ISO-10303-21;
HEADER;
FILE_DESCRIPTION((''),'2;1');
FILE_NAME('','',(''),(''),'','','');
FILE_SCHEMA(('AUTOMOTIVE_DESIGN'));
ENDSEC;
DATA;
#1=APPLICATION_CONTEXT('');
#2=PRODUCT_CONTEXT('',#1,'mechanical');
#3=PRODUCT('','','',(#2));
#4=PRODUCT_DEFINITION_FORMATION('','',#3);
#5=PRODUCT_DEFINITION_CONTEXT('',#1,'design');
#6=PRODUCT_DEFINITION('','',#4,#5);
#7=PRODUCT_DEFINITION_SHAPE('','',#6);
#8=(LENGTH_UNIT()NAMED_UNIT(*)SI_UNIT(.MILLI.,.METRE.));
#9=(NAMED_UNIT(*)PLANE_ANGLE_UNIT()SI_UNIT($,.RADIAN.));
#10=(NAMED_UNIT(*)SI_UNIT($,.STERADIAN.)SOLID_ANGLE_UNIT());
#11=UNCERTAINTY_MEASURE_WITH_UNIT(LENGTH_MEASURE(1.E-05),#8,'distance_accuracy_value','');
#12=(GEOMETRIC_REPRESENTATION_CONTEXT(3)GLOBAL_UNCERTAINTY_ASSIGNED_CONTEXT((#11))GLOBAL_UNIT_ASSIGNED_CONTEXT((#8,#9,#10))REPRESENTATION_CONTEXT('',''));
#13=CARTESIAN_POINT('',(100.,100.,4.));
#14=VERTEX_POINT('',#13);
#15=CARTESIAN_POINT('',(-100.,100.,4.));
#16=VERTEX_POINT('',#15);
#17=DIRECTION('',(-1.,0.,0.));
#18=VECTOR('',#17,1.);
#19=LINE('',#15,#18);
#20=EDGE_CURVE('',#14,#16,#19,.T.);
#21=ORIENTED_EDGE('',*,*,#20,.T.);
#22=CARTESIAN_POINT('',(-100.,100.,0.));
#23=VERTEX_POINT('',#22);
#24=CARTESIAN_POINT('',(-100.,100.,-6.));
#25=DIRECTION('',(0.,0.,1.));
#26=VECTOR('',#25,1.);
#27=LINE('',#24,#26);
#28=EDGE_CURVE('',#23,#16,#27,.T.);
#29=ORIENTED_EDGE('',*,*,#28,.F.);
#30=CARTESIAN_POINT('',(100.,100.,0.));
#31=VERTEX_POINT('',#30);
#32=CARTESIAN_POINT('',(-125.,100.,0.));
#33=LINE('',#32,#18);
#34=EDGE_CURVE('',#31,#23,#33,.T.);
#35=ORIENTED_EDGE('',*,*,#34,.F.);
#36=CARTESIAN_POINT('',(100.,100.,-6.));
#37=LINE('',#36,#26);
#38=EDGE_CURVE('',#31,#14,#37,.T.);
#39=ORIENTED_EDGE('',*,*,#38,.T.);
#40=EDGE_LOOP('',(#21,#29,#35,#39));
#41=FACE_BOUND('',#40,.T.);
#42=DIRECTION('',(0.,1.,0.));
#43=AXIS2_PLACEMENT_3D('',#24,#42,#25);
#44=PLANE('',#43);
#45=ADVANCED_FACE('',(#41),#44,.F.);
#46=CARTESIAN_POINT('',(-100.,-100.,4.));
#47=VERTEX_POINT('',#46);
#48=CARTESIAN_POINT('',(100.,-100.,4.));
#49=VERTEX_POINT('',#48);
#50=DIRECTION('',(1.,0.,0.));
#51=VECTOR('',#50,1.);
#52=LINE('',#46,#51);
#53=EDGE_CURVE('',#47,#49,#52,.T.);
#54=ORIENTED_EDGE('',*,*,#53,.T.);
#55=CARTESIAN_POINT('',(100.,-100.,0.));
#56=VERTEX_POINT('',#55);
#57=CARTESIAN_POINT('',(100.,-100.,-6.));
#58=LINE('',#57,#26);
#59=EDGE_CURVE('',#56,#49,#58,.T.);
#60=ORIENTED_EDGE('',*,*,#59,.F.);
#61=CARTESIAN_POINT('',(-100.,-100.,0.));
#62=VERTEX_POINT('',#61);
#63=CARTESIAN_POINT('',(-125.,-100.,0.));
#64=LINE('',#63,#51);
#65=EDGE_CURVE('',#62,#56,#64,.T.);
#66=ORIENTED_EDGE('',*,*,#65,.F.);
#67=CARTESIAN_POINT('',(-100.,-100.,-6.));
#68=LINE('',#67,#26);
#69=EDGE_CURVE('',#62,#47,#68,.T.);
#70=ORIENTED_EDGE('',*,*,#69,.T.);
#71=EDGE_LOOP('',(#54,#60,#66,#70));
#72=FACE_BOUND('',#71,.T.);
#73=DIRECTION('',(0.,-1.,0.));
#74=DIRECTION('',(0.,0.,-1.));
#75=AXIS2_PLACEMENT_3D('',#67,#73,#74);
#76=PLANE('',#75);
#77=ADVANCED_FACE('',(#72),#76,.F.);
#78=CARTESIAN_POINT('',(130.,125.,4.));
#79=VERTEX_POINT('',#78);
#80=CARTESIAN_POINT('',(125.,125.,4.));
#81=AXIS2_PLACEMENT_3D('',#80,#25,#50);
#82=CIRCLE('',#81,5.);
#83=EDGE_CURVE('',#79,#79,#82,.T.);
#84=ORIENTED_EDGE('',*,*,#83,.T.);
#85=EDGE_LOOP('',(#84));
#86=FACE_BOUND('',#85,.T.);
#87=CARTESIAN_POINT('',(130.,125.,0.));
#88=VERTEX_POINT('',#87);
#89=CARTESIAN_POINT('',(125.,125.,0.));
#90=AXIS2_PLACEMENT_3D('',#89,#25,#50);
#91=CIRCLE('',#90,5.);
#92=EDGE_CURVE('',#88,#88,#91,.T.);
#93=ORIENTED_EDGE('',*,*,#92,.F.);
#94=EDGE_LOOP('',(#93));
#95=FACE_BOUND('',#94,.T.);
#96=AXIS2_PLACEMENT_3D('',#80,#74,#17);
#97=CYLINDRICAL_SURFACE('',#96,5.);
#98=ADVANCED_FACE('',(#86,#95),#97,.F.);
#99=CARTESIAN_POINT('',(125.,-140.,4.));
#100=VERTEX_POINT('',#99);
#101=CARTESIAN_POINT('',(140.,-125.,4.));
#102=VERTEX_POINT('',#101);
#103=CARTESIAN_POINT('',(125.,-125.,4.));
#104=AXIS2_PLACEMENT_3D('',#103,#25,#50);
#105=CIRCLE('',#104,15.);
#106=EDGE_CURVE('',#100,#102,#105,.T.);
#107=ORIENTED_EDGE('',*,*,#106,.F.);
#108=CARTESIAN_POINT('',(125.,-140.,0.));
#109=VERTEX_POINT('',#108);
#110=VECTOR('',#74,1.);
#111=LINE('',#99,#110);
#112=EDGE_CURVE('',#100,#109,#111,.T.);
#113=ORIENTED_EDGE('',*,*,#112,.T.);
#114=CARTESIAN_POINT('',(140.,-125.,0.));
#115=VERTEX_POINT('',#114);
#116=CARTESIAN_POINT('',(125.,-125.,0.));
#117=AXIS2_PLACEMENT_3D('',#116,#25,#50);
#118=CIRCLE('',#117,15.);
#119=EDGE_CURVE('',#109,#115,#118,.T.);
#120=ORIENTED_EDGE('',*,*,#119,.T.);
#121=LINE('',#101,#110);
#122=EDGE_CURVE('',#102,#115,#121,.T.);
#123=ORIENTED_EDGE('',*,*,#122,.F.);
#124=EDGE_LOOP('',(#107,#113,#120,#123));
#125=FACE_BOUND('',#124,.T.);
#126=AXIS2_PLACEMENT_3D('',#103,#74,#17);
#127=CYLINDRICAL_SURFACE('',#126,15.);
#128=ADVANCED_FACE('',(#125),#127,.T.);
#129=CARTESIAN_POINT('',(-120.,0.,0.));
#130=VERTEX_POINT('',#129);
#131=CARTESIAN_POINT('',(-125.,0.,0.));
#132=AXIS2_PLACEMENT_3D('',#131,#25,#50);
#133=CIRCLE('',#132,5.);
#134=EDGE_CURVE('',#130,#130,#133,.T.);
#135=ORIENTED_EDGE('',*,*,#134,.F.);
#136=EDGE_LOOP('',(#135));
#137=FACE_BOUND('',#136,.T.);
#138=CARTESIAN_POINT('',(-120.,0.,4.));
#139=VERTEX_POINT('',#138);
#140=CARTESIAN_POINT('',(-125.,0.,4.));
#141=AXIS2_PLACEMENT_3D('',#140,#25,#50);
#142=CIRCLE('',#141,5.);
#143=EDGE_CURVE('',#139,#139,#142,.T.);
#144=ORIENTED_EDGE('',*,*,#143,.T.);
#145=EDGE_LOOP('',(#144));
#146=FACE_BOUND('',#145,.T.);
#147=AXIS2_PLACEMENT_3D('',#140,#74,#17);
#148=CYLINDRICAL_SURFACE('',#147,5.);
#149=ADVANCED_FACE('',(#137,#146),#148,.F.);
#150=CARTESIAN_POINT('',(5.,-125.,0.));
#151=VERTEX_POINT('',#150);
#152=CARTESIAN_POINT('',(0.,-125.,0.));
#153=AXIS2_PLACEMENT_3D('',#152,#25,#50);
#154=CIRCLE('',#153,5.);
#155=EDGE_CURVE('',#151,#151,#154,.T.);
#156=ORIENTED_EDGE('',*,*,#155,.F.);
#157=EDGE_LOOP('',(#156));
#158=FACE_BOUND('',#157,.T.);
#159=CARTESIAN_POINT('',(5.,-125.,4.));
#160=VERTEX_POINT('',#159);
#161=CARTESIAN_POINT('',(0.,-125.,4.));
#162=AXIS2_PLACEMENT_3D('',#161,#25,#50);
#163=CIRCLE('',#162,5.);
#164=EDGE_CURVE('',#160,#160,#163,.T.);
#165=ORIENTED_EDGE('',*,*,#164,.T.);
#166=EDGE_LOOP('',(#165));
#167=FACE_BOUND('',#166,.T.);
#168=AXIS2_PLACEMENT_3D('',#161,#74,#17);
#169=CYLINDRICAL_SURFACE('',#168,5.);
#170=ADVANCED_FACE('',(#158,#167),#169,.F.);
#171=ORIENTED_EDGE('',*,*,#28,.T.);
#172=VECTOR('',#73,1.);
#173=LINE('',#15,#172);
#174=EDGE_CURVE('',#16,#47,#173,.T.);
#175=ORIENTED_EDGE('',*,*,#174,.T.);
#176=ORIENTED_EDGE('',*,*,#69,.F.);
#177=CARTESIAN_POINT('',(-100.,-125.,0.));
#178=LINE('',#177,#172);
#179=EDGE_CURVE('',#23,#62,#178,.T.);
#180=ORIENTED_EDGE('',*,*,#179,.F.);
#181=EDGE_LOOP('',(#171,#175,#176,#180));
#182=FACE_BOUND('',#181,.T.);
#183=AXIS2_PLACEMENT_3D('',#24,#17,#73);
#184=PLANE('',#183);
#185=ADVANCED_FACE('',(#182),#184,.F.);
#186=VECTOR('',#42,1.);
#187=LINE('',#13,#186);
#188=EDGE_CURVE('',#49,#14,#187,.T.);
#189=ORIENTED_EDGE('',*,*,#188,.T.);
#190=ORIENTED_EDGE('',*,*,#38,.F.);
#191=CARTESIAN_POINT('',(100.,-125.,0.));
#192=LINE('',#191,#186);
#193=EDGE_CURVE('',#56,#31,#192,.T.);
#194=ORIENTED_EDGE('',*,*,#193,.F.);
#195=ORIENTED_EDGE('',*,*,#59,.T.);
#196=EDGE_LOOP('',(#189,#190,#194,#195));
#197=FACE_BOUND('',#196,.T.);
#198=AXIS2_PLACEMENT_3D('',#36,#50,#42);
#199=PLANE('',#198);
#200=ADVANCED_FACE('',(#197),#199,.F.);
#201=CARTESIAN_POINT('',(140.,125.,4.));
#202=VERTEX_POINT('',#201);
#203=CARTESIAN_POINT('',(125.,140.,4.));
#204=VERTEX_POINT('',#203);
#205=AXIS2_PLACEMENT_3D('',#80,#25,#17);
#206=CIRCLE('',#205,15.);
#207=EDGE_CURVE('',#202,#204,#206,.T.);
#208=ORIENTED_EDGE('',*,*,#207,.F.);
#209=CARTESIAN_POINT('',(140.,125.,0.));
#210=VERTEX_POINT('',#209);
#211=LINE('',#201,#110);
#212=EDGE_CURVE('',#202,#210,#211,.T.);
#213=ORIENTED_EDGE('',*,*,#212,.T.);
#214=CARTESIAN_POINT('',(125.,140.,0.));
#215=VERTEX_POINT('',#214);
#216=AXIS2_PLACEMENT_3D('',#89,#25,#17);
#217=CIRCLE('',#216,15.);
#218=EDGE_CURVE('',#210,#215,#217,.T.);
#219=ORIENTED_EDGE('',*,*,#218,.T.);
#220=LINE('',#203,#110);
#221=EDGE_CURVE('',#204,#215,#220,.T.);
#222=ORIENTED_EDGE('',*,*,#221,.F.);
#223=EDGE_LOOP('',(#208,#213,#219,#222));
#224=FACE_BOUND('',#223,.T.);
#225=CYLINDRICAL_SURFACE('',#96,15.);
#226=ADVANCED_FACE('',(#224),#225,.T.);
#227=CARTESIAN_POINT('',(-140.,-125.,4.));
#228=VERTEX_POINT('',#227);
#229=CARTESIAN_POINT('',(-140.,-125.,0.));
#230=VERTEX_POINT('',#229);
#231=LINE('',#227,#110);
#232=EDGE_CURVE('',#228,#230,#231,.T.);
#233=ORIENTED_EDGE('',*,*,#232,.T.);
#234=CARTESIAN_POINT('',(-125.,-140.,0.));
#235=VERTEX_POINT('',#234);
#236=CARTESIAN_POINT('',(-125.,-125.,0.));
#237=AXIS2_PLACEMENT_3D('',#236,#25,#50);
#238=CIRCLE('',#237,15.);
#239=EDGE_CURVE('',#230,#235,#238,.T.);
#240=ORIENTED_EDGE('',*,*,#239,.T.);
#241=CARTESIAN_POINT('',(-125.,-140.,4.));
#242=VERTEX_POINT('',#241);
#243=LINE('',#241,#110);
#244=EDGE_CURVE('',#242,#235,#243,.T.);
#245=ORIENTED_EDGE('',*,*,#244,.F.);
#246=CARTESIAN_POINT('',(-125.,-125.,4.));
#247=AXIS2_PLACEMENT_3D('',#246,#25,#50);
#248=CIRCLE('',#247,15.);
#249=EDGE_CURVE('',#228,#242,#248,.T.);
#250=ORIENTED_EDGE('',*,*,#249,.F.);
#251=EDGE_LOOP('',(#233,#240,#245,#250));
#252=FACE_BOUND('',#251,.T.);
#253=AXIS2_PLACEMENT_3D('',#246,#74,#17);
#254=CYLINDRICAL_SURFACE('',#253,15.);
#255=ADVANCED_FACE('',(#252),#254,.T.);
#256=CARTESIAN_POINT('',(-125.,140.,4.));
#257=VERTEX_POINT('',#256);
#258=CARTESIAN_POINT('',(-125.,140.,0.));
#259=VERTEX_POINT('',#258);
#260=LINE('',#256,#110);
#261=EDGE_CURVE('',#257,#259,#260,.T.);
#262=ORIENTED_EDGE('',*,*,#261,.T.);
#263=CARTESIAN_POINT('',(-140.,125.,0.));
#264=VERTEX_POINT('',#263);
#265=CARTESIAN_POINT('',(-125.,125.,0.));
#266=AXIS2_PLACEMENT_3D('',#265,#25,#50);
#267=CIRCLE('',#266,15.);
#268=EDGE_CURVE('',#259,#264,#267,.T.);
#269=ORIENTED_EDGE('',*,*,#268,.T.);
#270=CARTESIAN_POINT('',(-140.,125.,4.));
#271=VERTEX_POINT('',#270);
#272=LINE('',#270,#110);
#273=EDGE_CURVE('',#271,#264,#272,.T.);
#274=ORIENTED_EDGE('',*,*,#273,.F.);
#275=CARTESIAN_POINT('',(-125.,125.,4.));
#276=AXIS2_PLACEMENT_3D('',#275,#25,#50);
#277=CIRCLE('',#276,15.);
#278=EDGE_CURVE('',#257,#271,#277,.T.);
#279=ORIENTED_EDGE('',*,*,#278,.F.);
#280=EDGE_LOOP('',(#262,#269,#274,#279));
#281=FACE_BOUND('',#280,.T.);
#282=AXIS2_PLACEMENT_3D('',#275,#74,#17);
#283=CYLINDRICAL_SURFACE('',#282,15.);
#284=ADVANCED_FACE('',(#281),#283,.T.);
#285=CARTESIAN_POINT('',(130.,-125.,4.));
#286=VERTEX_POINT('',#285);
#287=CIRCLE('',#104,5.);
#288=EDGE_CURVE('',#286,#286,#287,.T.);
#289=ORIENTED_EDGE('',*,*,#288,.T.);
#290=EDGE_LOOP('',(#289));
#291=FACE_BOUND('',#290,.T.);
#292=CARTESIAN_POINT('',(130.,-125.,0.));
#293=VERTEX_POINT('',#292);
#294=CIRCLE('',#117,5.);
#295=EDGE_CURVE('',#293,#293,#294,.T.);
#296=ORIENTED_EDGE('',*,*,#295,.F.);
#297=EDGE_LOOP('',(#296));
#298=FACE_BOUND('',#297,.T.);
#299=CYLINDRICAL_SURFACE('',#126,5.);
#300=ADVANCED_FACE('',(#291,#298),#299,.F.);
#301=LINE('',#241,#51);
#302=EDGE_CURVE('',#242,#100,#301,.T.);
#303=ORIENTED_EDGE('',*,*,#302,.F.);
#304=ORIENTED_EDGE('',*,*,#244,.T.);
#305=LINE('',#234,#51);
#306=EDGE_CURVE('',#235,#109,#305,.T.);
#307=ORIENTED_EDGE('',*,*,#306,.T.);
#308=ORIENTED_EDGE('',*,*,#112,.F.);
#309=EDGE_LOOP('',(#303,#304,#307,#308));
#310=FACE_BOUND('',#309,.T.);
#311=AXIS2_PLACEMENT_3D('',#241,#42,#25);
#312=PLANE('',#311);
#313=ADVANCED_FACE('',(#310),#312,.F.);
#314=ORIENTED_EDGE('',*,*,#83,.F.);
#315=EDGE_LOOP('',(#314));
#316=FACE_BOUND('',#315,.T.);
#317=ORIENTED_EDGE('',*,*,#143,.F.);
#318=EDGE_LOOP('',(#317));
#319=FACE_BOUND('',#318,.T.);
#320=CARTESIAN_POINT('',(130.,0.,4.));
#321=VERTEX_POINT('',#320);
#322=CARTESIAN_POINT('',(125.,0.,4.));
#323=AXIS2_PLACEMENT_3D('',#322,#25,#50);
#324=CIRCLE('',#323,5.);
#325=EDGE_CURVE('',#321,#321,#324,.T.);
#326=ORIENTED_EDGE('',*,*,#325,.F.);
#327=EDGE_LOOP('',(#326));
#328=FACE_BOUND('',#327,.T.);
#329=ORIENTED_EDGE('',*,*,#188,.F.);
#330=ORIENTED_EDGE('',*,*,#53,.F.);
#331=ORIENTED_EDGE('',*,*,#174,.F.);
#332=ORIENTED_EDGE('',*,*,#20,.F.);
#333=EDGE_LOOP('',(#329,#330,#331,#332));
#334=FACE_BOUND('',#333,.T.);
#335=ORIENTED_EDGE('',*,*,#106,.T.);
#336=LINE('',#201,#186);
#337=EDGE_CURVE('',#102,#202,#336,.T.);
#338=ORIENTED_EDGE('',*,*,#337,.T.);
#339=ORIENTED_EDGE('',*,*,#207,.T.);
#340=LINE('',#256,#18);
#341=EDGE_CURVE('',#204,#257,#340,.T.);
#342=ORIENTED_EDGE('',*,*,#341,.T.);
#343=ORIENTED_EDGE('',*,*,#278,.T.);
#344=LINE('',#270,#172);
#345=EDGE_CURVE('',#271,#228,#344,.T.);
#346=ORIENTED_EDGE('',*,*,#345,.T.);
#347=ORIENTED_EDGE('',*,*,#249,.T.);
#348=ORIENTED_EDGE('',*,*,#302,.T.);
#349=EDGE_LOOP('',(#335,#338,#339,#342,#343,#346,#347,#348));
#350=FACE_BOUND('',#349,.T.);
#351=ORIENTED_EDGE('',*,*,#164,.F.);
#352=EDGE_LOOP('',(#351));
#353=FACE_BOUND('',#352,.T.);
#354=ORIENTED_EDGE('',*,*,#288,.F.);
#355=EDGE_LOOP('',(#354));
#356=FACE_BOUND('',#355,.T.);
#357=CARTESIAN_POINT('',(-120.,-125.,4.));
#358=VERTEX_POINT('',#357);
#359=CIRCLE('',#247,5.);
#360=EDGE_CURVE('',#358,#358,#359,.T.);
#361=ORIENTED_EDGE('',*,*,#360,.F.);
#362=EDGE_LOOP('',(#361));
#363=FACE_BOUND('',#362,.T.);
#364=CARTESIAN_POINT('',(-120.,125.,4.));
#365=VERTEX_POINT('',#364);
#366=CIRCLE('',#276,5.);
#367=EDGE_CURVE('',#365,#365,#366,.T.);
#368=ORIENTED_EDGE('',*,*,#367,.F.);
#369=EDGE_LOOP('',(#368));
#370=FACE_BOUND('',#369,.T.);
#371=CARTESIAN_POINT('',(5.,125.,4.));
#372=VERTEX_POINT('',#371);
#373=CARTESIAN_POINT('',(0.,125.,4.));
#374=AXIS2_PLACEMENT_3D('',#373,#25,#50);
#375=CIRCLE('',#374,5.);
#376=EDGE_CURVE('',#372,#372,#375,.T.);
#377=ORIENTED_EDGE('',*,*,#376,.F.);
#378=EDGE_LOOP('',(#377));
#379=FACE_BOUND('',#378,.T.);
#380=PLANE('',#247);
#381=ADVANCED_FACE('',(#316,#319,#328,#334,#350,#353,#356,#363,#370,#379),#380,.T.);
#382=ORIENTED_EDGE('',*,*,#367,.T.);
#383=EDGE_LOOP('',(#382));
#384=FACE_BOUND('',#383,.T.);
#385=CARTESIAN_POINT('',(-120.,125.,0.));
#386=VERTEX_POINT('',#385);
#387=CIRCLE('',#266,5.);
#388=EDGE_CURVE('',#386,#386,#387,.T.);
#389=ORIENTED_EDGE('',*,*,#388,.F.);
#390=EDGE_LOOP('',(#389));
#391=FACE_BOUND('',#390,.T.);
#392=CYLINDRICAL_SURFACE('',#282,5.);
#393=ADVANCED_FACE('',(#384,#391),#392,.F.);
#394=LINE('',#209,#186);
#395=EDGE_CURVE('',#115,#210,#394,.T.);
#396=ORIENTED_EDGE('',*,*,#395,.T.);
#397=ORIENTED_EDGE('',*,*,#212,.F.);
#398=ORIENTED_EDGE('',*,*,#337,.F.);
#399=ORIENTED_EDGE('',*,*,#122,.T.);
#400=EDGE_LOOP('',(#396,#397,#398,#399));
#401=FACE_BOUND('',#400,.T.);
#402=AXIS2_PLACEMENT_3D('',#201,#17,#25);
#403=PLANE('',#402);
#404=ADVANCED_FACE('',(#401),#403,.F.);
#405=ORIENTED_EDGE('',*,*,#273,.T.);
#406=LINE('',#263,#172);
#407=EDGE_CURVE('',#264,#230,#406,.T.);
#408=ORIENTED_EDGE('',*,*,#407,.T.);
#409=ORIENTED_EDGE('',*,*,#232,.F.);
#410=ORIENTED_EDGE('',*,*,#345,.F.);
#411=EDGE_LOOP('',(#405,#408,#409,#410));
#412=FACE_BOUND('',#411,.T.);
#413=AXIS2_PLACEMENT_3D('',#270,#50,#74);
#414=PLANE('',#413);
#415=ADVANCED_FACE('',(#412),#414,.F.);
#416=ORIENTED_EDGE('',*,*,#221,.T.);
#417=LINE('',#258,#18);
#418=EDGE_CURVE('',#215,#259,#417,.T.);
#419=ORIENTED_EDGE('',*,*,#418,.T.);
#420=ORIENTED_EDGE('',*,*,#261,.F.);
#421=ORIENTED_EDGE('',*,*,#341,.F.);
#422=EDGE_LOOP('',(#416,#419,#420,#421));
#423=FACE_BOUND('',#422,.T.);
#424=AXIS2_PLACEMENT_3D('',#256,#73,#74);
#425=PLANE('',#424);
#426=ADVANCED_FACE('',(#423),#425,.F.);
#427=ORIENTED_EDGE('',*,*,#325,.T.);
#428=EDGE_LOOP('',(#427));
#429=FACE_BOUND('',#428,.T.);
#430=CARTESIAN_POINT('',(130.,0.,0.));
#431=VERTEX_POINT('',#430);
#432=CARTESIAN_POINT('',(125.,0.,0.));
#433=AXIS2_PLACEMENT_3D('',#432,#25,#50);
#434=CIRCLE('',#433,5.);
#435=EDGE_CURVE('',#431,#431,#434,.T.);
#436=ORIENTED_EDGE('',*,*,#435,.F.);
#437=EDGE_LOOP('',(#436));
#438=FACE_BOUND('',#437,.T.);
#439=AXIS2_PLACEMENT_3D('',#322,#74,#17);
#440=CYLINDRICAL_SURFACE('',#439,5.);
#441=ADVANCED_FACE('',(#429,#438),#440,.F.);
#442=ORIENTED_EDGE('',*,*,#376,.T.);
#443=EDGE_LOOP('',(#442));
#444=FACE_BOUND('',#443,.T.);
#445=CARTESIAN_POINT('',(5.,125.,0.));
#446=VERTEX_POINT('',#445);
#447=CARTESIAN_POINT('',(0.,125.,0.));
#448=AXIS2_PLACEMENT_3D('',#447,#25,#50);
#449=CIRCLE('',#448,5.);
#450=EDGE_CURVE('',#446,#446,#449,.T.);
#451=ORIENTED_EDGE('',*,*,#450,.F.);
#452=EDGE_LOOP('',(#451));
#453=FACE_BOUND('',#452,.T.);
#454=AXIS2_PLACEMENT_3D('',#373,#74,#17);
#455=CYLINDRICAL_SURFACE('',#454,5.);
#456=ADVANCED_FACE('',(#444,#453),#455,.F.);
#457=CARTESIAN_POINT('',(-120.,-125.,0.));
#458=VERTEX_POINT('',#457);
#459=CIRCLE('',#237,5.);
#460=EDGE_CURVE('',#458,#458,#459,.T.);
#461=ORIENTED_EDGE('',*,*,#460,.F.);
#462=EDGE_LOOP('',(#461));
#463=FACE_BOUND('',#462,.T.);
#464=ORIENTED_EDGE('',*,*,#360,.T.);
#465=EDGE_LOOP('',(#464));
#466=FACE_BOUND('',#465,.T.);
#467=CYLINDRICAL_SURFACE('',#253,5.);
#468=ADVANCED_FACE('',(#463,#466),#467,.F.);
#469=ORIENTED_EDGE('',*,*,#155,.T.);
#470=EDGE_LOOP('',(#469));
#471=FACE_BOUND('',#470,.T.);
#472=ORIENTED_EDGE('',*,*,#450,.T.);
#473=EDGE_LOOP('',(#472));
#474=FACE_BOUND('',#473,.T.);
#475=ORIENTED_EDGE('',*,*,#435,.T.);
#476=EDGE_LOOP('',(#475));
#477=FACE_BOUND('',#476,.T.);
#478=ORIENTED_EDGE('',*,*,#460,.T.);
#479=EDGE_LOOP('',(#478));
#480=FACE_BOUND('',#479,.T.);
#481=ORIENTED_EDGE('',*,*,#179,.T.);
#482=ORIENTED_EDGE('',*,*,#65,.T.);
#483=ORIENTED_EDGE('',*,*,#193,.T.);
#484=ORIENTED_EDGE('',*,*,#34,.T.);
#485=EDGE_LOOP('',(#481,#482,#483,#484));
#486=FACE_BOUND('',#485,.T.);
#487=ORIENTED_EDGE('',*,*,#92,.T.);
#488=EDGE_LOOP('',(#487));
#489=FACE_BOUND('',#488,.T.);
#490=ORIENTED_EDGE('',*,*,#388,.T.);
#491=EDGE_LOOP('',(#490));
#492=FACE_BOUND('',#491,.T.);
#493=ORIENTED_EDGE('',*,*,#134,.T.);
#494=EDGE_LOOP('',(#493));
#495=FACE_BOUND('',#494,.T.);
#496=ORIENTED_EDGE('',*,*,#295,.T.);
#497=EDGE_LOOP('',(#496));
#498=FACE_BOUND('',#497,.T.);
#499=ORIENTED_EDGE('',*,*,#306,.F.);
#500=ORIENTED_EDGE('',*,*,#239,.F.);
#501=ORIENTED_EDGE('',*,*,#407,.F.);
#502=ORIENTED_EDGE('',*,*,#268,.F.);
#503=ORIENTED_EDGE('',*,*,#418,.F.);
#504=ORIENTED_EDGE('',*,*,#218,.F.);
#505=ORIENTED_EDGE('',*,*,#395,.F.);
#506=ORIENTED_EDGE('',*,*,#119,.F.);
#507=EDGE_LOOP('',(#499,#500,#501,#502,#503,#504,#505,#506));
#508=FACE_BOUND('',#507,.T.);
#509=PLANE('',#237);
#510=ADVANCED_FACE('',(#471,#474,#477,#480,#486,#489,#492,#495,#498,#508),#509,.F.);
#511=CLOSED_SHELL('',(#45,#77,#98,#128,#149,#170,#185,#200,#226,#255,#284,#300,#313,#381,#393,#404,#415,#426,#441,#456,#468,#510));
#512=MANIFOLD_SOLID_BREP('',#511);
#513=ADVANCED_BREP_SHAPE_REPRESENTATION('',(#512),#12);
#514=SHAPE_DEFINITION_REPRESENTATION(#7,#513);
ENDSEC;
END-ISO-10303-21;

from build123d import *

# Parameters (mm, degrees)
SKETCH2_R           = 5
SKETCH2_R_2         = 4
BOSS_EXTRUDE1_DEPTH = 4
SKETCH3_W           = 200
SKETCH3_H           = 200
CUT_EXTRUDE1_DEPTH  = 10


with BuildPart() as part:
    # Sketch2 → Boss-Extrude1 (new body)
    with BuildSketch(Plane.XY):
        with BuildLine():
            Line((-125, 140), (125, 140))
            ThreePointArc((125, 140), (135.606601718, 135.606601718), (140, 125))
            Line((140, 125), (140, -125))
            ThreePointArc((140, -125), (135.606601718, -135.606601718), (125, -140))
            Line((125, -140), (-125, -140))
            ThreePointArc((-125, -140), (-135.606601718, -135.606601718), (-140, -125))
            Line((-140, -125), (-140, 125))
            ThreePointArc((-140, 125), (-135.606601718, 135.606601718), (-125, 140))
        make_face()
        with Locations((-125, 125)):
            Circle(SKETCH2_R, mode=Mode.SUBTRACT)
        with Locations((0, 125)):
            Circle(SKETCH2_R, mode=Mode.SUBTRACT)
        with Locations((125, 125)):
            Circle(SKETCH2_R, mode=Mode.SUBTRACT)
        Circle(SKETCH2_R_2, mode=Mode.SUBTRACT)
        with Locations((125, 0)):
            Circle(SKETCH2_R, mode=Mode.SUBTRACT)
        with Locations((-125, 0)):
            Circle(SKETCH2_R, mode=Mode.SUBTRACT)
        with Locations((-125, -125)):
            Circle(SKETCH2_R, mode=Mode.SUBTRACT)
        with Locations((0, -125)):
            Circle(SKETCH2_R, mode=Mode.SUBTRACT)
        with Locations((125, -125)):
            Circle(SKETCH2_R, mode=Mode.SUBTRACT)
    extrude(amount=BOSS_EXTRUDE1_DEPTH)

    # Sketch3 → Cut-Extrude1 (cut)
    with BuildSketch(Plane.XY.offset(4)):
        Rectangle(SKETCH3_W, SKETCH3_H)
    extrude(amount=-CUT_EXTRUDE1_DEPTH, mode=Mode.SUBTRACT)


solid = part.part
